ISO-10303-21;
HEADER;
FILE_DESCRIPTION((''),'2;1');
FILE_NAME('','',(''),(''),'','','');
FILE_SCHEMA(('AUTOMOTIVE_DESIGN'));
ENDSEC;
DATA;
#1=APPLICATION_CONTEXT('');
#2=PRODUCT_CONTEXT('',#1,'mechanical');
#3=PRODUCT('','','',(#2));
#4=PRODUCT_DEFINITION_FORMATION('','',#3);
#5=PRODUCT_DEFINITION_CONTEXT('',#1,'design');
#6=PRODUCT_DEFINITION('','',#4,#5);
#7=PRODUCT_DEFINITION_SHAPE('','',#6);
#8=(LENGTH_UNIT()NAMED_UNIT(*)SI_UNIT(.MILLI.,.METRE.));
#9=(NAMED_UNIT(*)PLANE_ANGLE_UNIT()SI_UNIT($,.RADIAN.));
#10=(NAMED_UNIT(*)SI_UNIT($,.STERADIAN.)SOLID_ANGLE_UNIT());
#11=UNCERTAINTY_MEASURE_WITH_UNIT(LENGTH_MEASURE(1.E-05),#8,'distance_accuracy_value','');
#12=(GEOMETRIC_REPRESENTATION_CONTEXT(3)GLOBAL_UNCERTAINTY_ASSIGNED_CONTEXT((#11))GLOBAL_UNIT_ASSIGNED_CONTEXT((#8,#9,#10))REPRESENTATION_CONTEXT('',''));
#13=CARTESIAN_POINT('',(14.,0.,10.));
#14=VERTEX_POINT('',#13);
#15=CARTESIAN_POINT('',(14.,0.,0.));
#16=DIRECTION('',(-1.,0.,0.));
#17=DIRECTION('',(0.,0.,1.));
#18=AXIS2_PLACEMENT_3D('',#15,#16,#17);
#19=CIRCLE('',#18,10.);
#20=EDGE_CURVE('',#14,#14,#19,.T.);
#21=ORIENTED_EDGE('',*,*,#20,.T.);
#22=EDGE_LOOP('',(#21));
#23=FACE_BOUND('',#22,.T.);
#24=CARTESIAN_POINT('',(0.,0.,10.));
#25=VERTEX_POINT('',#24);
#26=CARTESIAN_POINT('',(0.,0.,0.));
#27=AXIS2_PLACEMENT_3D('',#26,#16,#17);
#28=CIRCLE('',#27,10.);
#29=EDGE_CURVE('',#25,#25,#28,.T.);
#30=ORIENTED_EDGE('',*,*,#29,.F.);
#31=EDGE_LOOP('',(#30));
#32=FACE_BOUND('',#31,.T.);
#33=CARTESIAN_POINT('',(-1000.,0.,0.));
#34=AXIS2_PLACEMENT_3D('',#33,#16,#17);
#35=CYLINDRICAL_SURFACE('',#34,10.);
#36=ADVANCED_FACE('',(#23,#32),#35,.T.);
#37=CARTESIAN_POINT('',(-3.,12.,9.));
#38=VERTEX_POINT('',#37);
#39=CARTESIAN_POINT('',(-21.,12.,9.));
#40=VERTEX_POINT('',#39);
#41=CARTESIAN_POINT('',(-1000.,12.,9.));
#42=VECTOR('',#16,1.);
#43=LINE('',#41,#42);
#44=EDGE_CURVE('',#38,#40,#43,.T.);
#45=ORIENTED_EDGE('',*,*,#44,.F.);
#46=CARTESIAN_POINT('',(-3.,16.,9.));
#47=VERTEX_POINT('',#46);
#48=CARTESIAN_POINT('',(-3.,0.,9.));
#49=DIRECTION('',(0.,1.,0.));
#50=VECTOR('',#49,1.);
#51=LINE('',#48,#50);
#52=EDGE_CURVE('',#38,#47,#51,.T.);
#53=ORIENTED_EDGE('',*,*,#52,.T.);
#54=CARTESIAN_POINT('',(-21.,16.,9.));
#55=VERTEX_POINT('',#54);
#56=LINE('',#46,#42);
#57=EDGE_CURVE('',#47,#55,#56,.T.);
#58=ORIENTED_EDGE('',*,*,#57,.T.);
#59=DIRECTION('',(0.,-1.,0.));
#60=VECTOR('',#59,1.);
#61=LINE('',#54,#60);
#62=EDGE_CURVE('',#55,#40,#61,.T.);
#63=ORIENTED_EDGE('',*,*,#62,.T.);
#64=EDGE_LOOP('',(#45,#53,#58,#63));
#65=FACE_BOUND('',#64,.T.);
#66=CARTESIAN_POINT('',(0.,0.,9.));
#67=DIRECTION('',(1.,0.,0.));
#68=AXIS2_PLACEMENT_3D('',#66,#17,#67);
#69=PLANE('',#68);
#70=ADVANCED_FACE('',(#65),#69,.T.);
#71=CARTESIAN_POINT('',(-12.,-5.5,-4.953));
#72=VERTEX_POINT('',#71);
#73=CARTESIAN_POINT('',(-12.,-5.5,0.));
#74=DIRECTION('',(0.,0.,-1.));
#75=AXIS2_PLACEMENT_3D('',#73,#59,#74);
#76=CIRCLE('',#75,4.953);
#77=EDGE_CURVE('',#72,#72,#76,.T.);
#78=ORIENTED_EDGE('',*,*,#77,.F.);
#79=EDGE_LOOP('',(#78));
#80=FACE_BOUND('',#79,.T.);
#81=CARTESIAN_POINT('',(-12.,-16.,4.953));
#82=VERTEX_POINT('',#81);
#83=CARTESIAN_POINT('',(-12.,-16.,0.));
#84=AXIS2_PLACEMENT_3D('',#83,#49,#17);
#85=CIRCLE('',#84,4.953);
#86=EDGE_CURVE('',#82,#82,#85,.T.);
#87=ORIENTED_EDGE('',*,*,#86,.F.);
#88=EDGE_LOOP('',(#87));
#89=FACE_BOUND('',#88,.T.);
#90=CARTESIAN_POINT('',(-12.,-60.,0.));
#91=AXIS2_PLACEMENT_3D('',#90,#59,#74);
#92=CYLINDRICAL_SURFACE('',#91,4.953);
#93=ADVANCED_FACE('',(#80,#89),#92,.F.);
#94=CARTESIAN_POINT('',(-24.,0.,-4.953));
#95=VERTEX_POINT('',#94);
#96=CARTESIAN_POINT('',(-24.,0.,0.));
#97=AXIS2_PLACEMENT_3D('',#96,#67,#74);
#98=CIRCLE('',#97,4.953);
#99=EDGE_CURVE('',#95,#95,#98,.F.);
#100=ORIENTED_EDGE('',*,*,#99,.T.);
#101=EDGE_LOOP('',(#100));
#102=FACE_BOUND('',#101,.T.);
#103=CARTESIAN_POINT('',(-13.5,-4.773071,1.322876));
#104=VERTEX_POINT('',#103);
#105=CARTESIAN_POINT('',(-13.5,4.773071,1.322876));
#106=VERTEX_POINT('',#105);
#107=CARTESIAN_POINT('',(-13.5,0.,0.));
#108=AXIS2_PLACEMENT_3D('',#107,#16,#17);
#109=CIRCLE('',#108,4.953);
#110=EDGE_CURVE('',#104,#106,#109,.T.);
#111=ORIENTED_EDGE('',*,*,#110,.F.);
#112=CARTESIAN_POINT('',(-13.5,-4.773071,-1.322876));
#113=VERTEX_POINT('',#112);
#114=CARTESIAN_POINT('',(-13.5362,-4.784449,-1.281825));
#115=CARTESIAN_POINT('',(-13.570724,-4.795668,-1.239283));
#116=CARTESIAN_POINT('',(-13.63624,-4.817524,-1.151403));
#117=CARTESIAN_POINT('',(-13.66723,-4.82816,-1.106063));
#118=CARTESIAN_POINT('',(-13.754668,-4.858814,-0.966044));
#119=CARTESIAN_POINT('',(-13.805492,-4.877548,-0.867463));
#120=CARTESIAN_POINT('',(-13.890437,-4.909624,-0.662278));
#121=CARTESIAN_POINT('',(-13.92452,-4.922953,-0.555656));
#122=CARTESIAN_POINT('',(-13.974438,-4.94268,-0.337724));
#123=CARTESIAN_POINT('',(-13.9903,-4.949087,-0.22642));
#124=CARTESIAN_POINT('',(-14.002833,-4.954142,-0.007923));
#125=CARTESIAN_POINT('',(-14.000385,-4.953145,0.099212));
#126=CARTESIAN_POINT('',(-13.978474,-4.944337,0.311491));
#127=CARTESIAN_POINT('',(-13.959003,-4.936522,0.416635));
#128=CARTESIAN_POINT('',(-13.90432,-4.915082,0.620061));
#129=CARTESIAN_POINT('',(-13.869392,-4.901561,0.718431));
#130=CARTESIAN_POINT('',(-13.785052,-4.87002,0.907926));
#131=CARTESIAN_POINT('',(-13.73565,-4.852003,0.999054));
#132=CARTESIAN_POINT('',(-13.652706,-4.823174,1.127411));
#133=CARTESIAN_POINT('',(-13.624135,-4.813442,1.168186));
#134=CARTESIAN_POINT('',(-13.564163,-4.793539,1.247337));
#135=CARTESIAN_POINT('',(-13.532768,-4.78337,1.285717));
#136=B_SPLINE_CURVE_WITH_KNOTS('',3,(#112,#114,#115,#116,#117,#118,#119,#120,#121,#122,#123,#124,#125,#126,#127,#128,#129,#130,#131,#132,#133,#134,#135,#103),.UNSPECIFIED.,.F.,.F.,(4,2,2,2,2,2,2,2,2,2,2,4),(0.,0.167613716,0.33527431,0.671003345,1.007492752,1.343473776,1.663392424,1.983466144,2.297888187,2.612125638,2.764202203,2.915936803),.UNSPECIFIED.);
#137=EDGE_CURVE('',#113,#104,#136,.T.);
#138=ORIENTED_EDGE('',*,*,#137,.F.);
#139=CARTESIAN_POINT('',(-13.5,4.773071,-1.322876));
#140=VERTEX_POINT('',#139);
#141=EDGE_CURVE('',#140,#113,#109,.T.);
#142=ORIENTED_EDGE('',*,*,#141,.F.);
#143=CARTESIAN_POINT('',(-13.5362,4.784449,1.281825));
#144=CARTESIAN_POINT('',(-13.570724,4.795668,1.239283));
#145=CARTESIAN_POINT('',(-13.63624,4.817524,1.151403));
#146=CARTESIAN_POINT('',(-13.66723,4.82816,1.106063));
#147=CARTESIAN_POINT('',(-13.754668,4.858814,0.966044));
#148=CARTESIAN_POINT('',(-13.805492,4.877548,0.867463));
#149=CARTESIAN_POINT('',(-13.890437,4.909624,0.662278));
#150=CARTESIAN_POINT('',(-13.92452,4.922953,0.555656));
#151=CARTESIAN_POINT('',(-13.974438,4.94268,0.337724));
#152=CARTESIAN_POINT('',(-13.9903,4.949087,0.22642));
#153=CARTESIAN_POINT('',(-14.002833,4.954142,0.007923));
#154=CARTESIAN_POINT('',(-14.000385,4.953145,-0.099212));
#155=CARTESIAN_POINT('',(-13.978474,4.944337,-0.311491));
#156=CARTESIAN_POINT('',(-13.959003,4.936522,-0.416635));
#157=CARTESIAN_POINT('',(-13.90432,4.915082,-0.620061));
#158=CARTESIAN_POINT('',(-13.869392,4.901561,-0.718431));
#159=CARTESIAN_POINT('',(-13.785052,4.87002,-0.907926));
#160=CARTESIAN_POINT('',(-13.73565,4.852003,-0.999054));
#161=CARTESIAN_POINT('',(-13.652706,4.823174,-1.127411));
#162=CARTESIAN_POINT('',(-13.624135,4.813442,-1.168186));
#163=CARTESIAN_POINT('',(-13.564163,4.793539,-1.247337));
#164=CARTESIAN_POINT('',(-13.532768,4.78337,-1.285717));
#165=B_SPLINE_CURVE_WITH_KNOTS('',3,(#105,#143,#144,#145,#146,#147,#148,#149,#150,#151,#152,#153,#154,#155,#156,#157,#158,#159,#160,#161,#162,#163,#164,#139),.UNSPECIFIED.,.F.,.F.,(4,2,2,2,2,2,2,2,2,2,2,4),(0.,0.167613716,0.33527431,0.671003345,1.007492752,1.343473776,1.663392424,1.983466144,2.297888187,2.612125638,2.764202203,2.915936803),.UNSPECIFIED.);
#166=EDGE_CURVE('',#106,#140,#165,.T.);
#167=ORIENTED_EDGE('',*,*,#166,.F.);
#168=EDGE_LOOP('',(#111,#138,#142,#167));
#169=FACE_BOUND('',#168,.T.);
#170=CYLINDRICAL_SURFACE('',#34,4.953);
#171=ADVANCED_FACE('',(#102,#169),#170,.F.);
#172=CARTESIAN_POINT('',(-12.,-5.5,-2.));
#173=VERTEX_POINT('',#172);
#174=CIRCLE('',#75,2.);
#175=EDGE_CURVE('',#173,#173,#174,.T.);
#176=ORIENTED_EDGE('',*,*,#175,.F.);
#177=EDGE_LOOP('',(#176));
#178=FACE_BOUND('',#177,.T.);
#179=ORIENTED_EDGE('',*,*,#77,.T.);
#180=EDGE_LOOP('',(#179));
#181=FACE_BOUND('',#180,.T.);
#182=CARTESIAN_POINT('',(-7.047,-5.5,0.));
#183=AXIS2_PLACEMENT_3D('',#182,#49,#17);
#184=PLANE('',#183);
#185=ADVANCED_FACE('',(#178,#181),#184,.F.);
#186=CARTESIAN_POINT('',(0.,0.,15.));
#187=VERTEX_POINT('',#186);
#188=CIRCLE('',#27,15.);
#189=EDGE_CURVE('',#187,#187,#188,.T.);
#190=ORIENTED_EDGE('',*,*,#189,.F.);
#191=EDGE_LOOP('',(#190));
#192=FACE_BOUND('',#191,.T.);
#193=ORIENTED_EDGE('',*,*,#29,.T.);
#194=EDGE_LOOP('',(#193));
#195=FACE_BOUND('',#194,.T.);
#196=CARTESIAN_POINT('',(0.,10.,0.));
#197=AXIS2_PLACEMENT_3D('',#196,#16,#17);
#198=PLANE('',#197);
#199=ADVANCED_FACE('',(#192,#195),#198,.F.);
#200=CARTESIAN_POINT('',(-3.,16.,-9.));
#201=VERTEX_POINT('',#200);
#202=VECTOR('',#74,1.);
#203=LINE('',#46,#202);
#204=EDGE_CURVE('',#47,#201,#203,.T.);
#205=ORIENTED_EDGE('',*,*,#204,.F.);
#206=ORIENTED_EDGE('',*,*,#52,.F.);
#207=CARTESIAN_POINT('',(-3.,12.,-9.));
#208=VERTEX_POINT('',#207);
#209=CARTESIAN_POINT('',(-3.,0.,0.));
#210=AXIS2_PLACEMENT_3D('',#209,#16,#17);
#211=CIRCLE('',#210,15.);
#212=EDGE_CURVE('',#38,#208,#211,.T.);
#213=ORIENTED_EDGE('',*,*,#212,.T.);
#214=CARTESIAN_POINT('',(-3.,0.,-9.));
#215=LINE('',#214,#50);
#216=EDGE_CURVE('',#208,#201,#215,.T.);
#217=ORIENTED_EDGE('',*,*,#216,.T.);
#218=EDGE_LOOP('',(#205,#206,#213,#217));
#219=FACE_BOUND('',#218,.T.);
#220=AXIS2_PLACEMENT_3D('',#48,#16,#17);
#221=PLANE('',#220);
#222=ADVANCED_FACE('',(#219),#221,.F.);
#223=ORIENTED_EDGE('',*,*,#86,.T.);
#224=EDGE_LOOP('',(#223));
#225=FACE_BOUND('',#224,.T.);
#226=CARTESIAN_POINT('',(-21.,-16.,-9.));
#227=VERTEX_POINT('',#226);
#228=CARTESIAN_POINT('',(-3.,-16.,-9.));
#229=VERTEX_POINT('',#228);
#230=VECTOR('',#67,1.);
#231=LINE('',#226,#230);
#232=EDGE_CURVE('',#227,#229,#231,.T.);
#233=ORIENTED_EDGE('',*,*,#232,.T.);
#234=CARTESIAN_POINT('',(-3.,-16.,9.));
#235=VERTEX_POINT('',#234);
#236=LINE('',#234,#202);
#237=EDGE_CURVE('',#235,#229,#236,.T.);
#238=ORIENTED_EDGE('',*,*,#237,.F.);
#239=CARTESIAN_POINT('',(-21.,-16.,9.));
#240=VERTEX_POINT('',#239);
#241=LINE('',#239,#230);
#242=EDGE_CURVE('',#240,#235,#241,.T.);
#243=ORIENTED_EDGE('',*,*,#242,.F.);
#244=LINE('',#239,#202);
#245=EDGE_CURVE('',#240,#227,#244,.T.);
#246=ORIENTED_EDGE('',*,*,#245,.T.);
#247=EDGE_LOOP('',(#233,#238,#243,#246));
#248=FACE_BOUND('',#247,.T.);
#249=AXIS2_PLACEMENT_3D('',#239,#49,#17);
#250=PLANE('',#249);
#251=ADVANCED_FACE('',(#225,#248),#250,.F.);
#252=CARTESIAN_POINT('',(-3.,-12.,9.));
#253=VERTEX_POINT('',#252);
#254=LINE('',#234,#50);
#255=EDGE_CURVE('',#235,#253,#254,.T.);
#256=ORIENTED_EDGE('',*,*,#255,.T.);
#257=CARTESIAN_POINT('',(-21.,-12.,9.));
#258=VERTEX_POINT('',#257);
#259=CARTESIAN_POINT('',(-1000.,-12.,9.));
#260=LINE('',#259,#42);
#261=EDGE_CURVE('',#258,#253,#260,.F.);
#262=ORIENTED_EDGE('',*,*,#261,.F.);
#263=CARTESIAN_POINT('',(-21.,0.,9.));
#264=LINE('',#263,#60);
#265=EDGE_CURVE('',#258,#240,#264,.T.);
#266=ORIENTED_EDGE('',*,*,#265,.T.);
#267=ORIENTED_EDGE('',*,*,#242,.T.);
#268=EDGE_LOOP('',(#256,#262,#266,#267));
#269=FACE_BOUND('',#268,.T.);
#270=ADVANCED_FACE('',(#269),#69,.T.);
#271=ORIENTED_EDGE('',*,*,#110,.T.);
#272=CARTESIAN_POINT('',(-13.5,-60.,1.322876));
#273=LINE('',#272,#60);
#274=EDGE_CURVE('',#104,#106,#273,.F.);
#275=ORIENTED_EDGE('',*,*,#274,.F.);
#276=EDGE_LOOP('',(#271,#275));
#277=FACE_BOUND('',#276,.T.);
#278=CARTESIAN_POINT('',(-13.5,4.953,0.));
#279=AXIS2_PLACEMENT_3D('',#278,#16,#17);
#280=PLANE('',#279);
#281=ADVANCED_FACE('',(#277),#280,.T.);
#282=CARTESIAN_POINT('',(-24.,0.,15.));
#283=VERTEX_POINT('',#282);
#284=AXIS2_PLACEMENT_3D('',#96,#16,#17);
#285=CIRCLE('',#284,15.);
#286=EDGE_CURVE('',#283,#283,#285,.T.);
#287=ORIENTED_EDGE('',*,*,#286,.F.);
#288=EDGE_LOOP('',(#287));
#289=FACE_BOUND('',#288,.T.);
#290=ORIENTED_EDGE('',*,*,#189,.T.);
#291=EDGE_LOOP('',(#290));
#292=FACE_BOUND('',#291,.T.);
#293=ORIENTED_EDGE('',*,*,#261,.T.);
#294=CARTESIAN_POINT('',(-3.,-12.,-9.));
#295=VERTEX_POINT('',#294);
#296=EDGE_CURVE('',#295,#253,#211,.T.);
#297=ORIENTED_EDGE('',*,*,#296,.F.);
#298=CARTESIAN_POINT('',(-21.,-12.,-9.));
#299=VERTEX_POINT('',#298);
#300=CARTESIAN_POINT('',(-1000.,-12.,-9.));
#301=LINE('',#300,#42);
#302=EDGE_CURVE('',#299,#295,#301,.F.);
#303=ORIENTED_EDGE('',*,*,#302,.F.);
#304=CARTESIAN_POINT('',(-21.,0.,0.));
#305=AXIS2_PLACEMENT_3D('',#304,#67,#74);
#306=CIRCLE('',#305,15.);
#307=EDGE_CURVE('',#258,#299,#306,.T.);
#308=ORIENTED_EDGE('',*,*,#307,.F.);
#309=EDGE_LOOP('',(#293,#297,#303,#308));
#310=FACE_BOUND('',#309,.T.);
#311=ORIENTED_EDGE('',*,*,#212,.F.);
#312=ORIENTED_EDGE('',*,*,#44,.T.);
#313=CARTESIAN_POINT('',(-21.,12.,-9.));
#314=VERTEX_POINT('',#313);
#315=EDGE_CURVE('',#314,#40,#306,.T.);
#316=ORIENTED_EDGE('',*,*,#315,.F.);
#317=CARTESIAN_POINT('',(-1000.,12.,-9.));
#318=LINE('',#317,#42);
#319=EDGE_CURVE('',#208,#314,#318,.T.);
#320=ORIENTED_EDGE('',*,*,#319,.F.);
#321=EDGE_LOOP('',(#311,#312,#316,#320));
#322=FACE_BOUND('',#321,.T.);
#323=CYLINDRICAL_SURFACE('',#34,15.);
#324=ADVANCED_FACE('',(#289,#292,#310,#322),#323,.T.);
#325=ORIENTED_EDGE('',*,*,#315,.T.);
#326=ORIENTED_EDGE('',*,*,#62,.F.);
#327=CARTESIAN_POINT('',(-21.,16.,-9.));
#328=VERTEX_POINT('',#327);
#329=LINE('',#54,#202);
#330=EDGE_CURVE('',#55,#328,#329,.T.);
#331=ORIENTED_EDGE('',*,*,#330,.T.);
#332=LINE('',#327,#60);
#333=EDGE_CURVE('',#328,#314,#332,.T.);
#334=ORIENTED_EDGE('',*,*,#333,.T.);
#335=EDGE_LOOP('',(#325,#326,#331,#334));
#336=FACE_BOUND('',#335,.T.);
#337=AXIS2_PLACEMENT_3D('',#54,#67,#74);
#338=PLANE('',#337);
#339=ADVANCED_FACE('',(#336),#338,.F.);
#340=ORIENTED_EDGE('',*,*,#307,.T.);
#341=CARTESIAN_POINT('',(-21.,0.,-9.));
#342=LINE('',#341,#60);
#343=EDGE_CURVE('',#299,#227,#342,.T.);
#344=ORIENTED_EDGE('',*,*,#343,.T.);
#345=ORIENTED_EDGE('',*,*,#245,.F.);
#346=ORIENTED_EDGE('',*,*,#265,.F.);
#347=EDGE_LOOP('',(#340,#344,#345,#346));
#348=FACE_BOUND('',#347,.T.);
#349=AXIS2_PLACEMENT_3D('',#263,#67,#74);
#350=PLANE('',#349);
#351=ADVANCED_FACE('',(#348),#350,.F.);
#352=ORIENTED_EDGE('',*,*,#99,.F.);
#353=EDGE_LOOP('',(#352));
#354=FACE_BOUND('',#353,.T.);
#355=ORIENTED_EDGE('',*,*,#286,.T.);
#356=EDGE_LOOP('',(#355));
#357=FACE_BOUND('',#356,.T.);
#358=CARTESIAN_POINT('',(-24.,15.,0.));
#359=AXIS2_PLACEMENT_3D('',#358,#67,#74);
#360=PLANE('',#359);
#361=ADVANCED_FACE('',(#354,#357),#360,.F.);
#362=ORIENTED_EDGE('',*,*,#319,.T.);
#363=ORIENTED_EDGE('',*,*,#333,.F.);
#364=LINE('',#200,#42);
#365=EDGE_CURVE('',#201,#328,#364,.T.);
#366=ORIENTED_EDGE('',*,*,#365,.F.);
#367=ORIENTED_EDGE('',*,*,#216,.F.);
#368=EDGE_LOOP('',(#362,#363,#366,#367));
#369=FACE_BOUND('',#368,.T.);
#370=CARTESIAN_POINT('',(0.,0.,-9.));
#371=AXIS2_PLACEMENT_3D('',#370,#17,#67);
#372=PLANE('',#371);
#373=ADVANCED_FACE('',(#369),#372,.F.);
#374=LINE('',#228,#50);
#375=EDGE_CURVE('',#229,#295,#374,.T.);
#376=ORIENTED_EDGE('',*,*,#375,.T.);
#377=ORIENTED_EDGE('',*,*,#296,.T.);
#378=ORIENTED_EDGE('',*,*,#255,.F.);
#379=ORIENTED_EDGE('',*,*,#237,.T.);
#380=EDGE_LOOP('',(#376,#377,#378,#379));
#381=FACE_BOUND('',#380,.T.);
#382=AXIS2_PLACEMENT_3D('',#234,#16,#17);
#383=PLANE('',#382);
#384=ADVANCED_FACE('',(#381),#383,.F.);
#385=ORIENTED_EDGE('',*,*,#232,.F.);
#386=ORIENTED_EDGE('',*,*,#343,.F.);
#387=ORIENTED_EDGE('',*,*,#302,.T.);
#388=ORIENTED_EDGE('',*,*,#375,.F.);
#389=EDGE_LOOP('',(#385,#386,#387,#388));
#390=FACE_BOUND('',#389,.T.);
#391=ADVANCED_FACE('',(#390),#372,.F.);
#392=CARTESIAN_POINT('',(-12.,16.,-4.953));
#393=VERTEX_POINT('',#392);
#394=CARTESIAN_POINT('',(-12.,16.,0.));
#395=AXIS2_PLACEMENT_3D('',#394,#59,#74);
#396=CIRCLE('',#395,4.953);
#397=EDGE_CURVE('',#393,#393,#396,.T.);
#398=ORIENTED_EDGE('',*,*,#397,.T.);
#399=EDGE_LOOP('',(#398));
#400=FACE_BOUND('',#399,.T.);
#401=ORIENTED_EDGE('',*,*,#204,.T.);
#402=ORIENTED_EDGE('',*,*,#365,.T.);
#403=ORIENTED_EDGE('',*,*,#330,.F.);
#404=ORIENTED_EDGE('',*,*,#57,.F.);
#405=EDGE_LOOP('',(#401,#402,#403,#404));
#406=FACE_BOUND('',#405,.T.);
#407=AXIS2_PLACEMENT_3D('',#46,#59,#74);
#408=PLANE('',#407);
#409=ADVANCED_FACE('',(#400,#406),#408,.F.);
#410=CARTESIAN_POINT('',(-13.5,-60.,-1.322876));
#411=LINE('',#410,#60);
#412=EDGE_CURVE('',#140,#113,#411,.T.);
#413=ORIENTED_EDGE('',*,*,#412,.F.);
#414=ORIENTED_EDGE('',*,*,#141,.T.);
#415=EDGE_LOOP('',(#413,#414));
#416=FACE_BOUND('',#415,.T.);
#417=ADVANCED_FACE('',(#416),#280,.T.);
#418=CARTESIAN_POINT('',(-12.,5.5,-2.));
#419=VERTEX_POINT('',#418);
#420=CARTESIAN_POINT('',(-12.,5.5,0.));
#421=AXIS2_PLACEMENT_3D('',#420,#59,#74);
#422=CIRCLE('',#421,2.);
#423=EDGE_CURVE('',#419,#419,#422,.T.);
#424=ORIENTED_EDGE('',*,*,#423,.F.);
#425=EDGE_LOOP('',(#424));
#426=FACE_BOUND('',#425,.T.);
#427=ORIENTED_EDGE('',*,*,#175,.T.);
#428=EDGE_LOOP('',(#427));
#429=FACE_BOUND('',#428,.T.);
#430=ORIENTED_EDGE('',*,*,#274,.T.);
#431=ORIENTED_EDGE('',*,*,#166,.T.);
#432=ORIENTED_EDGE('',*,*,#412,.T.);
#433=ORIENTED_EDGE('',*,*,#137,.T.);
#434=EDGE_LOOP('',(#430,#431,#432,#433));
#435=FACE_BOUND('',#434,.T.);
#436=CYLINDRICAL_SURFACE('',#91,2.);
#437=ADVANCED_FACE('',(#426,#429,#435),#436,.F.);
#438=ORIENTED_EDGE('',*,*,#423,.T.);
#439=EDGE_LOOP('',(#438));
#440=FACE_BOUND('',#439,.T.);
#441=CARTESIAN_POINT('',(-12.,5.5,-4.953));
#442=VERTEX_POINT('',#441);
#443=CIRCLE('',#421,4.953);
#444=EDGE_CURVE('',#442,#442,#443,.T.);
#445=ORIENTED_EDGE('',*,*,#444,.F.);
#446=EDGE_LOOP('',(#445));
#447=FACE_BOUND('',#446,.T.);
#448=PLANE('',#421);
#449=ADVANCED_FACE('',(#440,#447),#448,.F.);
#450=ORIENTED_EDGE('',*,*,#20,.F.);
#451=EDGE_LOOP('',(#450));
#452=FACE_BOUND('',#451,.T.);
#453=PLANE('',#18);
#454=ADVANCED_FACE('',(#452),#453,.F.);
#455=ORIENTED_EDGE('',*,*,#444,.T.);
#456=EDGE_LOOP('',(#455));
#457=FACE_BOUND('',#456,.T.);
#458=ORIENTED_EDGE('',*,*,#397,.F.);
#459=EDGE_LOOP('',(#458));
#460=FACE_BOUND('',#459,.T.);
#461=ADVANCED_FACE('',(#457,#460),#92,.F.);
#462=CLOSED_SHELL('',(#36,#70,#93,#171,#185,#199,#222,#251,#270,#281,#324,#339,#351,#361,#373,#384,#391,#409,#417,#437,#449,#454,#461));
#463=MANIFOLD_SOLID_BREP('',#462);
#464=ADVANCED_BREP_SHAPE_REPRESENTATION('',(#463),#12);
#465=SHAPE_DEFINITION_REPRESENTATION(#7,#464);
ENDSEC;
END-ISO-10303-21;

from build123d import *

# Parameters (mm, degrees)
SIDE_BOSS_SKETCH_W      = 18
SIDE_BOSS_SKETCH_H      = 16
SIDE_BOSS_DEPTH         = 9
SIDE_BOSS_2_SKETCH_W    = 18
SIDE_BOSS_2_SKETCH_H    = 16
SIDE_BOSS_2_DEPTH       = 9
BOTTOM_PORT_SKETCH_W    = 11.5
BOTTOM_PORT_SKETCH_H    = 4.953
SIDE_PORT_SKETCH_W      = 4.953
SIDE_PORT_SKETCH_H      = 11.5
SIDE_PASSAGE_SKETCH_W   = 2
SIDE_PASSAGE_SKETCH_H   = 5.5
SIDE_PORT_2_SKETCH_W    = 4.953
SIDE_PORT_2_SKETCH_H    = 11.5
SIDE_PASSAGE_2_SKETCH_W = 2
SIDE_PASSAGE_2_SKETCH_H = 5.5


with BuildPart() as part:
    # Reg_Outlet_Adapter Sketch → Reg_Outlet_Adapter (revolve)
    with BuildSketch(Plane.XY):
        Polygon((14, 0), (14, 10), (0, 10), (0, 15), (-24, 15), (-24, 0), align=None)
    revolve(axis=Axis((-1000, 0, 0), (1, 0, 0)))

    # Side Boss Sketch → Side Boss (add, symmetric)
    with BuildSketch(Plane.XY):
        with Locations((-12, 8)):
            Rectangle(SIDE_BOSS_SKETCH_W, SIDE_BOSS_SKETCH_H)
    extrude(amount=SIDE_BOSS_DEPTH, both=True)

    # Side Boss 2 Sketch → Side Boss 2 (add, symmetric)
    with BuildSketch(Plane.XY):
        with Locations((-12, -8)):
            Rectangle(SIDE_BOSS_2_SKETCH_W, SIDE_BOSS_2_SKETCH_H)
    extrude(amount=SIDE_BOSS_2_DEPTH, both=True)

    # Bottom Port Sketch → Bottom Port (revolve, cut)
    with BuildSketch(Plane.XY):
        with Locations((-19.25, 2.4765)):
            Rectangle(BOTTOM_PORT_SKETCH_W, BOTTOM_PORT_SKETCH_H)
    revolve(axis=Axis((-1000, 0, 0), (1, 0, 0)), mode=Mode.SUBTRACT)

    # Side Port Sketch → Side Port (revolve, cut)
    with BuildSketch(Plane.XY):
        with Locations((-9.5235, 11.25)):
            Rectangle(SIDE_PORT_SKETCH_W, SIDE_PORT_SKETCH_H)
    revolve(axis=Axis((-12, -60, 0), (0, 1, 0)), mode=Mode.SUBTRACT)

    # Side Passage Sketch → Side Passage (revolve, cut)
    with BuildSketch(Plane.XY):
        with Locations((-11, 2.75)):
            Rectangle(SIDE_PASSAGE_SKETCH_W, SIDE_PASSAGE_SKETCH_H)
    revolve(axis=Axis((-12, -60, 0), (0, 1, 0)), mode=Mode.SUBTRACT)

    # Side Port 2 Sketch → Side Port 2 (revolve, cut)
    with BuildSketch(Plane.XY):
        with Locations((-9.5235, -11.25)):
            Rectangle(SIDE_PORT_2_SKETCH_W, SIDE_PORT_2_SKETCH_H)
    revolve(axis=Axis((-12, -60, 0), (0, 1, 0)), mode=Mode.SUBTRACT)

    # Side Passage 2 Sketch → Side Passage 2 (revolve, cut)
    with BuildSketch(Plane.XY):
        with Locations((-11, -2.75)):
            Rectangle(SIDE_PASSAGE_2_SKETCH_W, SIDE_PASSAGE_2_SKETCH_H)
    revolve(axis=Axis((-12, -60, 0), (0, 1, 0)), mode=Mode.SUBTRACT)


solid = part.part
